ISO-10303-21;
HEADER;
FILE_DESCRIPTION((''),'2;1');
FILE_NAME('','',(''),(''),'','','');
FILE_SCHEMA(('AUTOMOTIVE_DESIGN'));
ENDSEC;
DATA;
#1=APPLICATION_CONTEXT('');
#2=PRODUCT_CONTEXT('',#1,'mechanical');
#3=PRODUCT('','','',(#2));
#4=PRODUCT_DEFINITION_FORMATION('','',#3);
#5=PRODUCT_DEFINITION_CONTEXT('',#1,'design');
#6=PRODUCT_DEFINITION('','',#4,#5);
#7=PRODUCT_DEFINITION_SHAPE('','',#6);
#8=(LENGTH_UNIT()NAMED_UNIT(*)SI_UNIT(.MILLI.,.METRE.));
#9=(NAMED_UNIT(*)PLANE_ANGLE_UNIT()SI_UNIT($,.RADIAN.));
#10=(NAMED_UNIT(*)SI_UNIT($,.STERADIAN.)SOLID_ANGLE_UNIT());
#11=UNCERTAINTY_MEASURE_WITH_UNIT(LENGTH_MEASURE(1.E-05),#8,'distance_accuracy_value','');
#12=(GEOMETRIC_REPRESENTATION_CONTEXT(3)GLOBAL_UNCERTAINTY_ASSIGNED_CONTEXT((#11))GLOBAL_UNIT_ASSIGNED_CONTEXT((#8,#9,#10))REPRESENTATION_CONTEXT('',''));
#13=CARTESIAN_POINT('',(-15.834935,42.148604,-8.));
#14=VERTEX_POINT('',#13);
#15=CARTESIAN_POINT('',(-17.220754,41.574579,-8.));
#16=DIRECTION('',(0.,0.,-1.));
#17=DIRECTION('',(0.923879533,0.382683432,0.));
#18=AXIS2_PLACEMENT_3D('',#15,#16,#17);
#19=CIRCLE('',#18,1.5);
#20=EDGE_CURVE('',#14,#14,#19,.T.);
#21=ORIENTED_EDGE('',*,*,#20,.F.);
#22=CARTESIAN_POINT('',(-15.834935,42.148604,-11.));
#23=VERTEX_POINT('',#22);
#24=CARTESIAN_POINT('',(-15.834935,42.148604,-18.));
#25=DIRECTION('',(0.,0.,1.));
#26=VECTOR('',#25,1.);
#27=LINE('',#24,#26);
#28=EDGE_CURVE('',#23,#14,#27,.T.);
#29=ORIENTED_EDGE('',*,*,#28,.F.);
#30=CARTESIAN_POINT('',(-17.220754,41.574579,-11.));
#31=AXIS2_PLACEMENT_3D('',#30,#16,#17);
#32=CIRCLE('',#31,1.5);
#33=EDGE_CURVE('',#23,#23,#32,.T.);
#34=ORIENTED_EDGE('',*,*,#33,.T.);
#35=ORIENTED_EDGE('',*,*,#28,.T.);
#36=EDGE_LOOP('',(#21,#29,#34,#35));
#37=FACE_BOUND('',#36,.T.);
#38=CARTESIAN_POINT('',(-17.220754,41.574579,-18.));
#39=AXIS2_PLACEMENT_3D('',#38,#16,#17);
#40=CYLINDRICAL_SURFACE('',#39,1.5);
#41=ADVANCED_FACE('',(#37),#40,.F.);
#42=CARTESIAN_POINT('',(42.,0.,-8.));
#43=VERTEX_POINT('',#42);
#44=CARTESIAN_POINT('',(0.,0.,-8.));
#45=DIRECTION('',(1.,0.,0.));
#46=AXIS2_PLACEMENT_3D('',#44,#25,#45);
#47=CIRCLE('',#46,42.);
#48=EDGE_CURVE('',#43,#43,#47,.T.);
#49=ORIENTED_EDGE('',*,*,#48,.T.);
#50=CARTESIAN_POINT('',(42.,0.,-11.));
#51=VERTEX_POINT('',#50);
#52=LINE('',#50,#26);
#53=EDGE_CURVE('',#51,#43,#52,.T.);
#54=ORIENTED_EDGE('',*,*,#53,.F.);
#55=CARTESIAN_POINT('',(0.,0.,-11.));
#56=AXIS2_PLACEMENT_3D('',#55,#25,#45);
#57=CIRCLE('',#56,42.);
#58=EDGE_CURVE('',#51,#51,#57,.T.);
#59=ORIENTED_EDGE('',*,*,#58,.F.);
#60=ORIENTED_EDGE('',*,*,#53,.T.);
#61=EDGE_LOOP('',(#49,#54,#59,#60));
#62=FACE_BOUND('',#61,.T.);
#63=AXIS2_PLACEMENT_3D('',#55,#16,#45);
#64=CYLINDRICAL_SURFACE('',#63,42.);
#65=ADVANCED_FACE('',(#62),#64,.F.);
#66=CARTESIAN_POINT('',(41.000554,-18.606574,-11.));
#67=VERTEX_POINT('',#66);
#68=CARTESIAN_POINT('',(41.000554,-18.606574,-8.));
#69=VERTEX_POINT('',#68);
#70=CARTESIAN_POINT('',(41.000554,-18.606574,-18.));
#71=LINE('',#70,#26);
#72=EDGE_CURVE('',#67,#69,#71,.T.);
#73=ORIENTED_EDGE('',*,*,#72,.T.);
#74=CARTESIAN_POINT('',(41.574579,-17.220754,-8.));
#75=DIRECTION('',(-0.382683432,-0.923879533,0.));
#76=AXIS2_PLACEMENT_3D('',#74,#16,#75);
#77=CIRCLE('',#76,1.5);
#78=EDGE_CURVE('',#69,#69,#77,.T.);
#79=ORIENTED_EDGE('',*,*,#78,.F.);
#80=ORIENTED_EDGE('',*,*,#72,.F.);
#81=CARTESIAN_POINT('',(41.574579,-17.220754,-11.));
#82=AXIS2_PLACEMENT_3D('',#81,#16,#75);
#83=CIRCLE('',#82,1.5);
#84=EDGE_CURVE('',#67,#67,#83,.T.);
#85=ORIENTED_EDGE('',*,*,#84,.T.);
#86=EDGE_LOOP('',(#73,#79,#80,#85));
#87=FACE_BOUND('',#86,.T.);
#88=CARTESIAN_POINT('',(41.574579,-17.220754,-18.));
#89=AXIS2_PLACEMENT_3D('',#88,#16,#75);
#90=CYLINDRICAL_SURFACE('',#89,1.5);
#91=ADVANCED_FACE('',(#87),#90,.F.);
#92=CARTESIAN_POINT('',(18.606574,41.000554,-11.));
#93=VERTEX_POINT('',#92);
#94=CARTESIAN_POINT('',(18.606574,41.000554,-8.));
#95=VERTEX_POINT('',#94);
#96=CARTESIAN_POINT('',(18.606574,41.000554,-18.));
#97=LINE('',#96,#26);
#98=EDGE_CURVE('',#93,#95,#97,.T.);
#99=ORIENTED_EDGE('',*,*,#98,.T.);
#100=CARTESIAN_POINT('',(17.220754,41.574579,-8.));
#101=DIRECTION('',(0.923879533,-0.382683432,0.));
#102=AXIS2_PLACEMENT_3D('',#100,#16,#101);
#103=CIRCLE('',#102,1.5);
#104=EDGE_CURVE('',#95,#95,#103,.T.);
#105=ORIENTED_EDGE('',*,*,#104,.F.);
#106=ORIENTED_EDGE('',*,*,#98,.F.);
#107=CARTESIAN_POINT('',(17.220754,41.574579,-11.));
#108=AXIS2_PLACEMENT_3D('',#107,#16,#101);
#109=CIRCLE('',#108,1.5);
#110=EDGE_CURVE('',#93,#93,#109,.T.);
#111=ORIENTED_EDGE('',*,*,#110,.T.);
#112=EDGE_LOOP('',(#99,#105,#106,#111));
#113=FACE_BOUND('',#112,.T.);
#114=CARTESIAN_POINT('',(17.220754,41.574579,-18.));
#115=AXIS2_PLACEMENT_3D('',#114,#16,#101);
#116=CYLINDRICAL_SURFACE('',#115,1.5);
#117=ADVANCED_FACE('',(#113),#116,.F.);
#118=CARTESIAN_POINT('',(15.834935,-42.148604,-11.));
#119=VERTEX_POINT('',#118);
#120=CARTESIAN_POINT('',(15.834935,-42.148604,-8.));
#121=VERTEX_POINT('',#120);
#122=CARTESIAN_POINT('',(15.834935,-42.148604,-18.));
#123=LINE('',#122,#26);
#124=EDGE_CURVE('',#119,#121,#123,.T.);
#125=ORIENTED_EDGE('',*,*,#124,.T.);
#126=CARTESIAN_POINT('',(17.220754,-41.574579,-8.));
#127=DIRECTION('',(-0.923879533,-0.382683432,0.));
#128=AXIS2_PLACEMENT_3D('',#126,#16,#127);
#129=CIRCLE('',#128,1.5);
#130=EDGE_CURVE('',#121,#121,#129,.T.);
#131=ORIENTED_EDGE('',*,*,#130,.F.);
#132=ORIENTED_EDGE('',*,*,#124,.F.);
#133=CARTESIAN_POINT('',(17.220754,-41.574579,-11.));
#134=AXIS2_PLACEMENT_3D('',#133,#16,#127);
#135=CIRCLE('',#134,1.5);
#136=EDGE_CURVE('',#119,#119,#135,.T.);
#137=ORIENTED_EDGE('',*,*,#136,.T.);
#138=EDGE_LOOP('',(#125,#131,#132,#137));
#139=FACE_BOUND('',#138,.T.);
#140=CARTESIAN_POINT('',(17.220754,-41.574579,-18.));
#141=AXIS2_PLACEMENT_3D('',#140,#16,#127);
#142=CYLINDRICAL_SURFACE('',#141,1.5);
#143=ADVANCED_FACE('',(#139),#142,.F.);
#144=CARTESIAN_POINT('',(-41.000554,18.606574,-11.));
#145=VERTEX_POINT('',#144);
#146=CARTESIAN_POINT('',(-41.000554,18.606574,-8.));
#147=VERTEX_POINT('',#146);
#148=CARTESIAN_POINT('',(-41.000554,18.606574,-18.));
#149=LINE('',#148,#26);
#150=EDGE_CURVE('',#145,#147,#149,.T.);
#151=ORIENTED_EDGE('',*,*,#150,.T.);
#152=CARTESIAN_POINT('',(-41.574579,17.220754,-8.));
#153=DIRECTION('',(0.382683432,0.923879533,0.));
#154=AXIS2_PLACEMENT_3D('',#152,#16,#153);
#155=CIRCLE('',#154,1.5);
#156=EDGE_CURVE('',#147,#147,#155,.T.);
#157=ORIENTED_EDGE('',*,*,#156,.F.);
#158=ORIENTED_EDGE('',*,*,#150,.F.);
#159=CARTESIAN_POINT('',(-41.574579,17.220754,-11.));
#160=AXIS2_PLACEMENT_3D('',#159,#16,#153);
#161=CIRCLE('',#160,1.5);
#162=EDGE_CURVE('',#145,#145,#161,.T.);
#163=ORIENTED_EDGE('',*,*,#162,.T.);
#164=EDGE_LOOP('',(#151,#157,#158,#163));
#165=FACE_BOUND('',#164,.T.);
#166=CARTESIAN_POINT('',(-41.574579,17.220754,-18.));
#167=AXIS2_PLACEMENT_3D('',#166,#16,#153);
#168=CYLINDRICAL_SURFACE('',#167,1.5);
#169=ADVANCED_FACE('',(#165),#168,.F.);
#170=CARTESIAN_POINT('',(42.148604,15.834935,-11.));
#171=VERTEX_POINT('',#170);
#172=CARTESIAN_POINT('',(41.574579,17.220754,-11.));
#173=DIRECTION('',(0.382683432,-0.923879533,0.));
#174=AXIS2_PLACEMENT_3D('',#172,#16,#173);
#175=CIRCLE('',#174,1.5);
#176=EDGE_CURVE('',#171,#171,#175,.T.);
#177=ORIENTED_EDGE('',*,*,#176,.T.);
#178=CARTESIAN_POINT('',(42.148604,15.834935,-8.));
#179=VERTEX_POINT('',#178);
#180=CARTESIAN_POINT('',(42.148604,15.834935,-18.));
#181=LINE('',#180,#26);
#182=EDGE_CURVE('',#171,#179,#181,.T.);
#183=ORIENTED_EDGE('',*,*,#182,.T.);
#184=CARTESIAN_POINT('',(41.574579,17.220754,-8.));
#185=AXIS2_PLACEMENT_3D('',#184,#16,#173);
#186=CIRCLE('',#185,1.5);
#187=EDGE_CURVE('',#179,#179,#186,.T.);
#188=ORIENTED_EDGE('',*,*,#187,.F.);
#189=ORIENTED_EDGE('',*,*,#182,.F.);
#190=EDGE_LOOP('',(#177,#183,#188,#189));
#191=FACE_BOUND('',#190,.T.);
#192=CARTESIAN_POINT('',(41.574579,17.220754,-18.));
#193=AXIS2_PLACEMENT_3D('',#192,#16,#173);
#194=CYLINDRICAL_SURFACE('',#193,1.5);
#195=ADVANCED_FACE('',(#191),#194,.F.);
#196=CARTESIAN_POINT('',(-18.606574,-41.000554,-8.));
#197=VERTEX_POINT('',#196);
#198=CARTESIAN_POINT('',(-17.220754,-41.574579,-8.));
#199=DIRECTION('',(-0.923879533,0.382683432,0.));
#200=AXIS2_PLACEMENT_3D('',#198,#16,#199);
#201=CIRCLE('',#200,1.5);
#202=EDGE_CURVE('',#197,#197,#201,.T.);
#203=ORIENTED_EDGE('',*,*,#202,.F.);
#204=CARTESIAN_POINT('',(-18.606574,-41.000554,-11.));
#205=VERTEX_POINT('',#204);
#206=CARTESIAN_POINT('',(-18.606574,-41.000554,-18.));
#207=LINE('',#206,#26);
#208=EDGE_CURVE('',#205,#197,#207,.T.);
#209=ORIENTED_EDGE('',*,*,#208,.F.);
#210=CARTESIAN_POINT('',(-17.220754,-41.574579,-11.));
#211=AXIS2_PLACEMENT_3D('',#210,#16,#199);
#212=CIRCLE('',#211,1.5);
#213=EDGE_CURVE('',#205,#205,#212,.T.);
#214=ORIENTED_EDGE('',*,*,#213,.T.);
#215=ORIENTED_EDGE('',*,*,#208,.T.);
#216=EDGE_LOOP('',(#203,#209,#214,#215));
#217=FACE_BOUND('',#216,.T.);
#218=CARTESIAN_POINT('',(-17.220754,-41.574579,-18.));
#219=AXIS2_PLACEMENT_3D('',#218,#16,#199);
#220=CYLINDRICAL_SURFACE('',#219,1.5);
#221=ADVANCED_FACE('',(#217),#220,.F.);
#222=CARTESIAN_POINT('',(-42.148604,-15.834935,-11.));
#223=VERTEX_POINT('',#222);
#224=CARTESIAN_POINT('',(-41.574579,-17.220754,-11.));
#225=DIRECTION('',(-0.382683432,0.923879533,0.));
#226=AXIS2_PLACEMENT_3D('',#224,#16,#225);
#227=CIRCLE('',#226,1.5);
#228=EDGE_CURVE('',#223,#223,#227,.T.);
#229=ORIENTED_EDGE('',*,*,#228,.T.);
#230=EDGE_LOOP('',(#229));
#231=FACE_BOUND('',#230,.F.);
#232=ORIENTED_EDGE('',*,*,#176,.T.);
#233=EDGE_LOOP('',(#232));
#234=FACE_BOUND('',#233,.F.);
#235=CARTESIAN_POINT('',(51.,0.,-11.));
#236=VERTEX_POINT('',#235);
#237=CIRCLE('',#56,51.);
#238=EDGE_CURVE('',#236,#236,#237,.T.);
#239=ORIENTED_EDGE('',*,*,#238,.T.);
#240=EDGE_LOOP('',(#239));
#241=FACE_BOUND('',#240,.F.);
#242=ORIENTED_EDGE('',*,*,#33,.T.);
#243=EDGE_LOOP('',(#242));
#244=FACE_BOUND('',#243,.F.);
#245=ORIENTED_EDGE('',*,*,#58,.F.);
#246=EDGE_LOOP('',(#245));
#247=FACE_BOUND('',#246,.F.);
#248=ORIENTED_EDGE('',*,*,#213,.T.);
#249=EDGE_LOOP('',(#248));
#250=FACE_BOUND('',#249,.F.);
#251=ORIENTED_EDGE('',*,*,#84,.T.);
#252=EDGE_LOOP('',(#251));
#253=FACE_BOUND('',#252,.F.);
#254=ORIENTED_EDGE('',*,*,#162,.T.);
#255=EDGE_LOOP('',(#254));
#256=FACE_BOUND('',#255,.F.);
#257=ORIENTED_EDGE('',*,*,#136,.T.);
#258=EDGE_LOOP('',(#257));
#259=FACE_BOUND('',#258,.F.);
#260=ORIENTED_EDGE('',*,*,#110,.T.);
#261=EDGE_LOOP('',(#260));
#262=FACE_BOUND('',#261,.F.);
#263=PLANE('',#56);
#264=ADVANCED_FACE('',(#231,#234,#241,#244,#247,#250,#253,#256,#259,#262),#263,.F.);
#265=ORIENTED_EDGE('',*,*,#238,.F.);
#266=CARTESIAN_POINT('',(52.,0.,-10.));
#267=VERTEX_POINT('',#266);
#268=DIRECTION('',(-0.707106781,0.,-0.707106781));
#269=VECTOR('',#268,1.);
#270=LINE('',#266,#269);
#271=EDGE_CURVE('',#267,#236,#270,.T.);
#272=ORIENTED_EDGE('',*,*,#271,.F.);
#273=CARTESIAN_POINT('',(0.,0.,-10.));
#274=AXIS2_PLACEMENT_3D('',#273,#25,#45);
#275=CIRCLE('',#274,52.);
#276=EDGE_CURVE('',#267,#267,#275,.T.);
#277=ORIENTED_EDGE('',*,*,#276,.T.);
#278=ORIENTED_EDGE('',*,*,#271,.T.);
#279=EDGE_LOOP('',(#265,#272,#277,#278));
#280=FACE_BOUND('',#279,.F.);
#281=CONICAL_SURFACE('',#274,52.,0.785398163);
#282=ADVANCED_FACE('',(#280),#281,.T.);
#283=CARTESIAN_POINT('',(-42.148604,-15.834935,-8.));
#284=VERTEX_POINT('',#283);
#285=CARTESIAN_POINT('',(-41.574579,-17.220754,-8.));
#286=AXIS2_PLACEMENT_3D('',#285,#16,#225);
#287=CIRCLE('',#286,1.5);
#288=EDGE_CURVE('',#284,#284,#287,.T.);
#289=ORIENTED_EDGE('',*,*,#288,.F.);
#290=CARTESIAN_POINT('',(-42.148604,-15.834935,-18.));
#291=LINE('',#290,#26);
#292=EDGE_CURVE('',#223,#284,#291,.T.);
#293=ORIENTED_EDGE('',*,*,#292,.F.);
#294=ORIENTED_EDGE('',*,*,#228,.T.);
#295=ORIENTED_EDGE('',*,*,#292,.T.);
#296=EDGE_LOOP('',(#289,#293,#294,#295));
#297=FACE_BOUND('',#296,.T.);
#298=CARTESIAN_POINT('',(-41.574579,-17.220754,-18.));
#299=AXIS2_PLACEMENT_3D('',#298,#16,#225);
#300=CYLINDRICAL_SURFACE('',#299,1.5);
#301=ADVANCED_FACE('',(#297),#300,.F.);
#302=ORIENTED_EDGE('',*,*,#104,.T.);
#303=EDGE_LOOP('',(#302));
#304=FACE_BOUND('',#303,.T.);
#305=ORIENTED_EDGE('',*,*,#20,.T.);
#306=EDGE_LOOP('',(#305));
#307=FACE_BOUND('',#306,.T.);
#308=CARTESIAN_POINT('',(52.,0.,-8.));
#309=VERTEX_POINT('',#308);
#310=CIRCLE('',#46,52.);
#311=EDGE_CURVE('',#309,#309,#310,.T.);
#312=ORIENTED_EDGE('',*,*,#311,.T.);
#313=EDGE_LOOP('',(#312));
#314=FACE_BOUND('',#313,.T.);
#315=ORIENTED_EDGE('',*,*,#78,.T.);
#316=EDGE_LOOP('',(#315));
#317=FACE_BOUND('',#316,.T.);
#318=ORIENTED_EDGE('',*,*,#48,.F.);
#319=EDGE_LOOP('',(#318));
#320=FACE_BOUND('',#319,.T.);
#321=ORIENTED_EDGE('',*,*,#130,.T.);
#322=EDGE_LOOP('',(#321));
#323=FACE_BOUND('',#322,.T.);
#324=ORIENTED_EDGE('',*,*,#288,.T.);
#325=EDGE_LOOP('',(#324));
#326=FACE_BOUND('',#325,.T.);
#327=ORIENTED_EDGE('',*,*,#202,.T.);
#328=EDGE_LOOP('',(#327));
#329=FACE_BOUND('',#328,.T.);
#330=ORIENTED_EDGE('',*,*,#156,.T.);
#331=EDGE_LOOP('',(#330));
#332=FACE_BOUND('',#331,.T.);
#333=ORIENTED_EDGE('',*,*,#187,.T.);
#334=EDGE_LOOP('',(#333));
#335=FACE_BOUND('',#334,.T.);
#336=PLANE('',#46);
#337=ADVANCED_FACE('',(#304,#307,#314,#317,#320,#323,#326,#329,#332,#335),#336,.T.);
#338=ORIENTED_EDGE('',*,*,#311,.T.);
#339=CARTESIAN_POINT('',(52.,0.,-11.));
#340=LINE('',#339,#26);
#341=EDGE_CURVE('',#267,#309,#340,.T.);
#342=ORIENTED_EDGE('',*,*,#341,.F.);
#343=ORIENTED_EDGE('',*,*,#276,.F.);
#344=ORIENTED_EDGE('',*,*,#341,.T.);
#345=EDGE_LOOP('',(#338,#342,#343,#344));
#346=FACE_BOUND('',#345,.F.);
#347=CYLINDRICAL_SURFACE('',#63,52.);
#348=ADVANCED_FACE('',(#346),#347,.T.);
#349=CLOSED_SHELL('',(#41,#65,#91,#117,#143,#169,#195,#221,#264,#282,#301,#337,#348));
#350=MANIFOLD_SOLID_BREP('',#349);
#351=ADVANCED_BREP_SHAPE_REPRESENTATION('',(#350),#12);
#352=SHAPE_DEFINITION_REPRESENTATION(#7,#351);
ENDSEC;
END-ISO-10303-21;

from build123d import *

# Parameters (mm, degrees)
CYLINDER658_R               = 1.5
CYLINDER658_DEPTH           = 20
CYLINDER658_PLACEMENT_ANGLE = 45
CYLINDER659_R               = 1.5
CYLINDER659_DEPTH           = 20
CYLINDER652_R               = 1.5
CYLINDER652_DEPTH           = 20
CYLINDER652_PLACEMENT_ANGLE = 135
CYLINDER655_R               = 1.5
CYLINDER655_DEPTH           = 20
CYLINDER657_R               = 1.5
CYLINDER657_DEPTH           = 20
CYLINDER657_PLACEMENT_ANGLE = 225
CYLINDER654_R               = 1.5
CYLINDER654_DEPTH           = 20
CYLINDER656_R               = 1.5
CYLINDER656_DEPTH           = 20
CYLINDER656_PLACEMENT_ANGLE = 45
CYLINDER653_R               = 1.5
CYLINDER653_DEPTH           = 20
COMPOUND660_PLACEMENT_ANGLE = 22.5
TUBE040_R                   = 52
TUBE040_R_2                 = 42
TUBE040_DEPTH               = 3
CHAMFER018_SIZE             = 1


with BuildPart() as v_lec658:
    # Cylinder658 → Cylinder658 (new body)
    with BuildSketch(Plane.XY):
        Circle(CYLINDER658_R)
    extrude(amount=CYLINDER658_DEPTH)


with BuildPart() as v_lec658_1:
    # Cylinder658 placement: moved
    add(v_lec658.part.moved(Location((-31.819805, 31.819805, -18))).rotate(Axis((-31.819805, 31.819805, -18), (0, 0, 1)), CYLINDER658_PLACEMENT_ANGLE))


with BuildPart() as v_lec659:
    # Cylinder659 → Cylinder659 (new body)
    with BuildSketch(Plane(origin=(-45, 0, -18), x_dir=(0, 1, 0), z_dir=(0, 0, 1))):
        Circle(CYLINDER659_R)
    extrude(amount=CYLINDER659_DEPTH)


with BuildPart() as v_lec652:
    # Cylinder652 → Cylinder652 (new body)
    with BuildSketch(Plane.XY):
        Circle(CYLINDER652_R)
    extrude(amount=CYLINDER652_DEPTH)


with BuildPart() as v_lec652_1:
    # Cylinder652 placement: moved
    add(v_lec652.part.moved(Location((-31.819805, -31.819805, -18))).rotate(Axis((-31.819805, -31.819805, -18), (0, 0, 1)), CYLINDER652_PLACEMENT_ANGLE))


with BuildPart() as v_lec655:
    # Cylinder655 → Cylinder655 (new body)
    with BuildSketch(Plane(origin=(0, -45, -18), x_dir=(-1, 0, 0), z_dir=(0, 0, 1))):
        Circle(CYLINDER655_R)
    extrude(amount=CYLINDER655_DEPTH)


with BuildPart() as v_lec657:
    # Cylinder657 → Cylinder657 (new body)
    with BuildSketch(Plane.XY):
        Circle(CYLINDER657_R)
    extrude(amount=CYLINDER657_DEPTH)


with BuildPart() as v_lec657_1:
    # Cylinder657 placement: moved
    add(v_lec657.part.moved(Location((31.819805, -31.819805, -18))).rotate(Axis((31.819805, -31.819805, -18), (0, 0, 1)), CYLINDER657_PLACEMENT_ANGLE))


with BuildPart() as v_lec654:
    # Cylinder654 → Cylinder654 (new body)
    with BuildSketch(Plane(origin=(45, 0, -18), x_dir=(0, -1, 0), z_dir=(0, 0, 1))):
        Circle(CYLINDER654_R)
    extrude(amount=CYLINDER654_DEPTH)


with BuildPart() as v_lec656:
    # Cylinder656 → Cylinder656 (new body)
    with BuildSketch(Plane.XY):
        Circle(CYLINDER656_R)
    extrude(amount=CYLINDER656_DEPTH)


with BuildPart() as v_lec656_1:
    # Cylinder656 placement: moved
    add(v_lec656.part.moved(Location((31.819805, 31.819805, -18))).rotate(Axis((31.819805, 31.819805, -18), (0, 0, -1)), CYLINDER656_PLACEMENT_ANGLE))


with BuildPart() as compound660:
    # Cylinder653 → Cylinder653 (new body)
    with BuildSketch(Plane(origin=(0, 45, -18), x_dir=(1, 0, 0), z_dir=(0, 0, 1))):
        Circle(CYLINDER653_R)
    extrude(amount=CYLINDER653_DEPTH)

    # Compound660: union Válec658, Válec659, Válec652, Válec655, Válec657, Válec654, Válec656
    add(v_lec658_1.part)
    add(v_lec659.part)
    add(v_lec652_1.part)
    add(v_lec655.part)
    add(v_lec657_1.part)
    add(v_lec654.part)
    add(v_lec656_1.part)


with BuildPart() as compound660_1:
    # Compound660 placement: moved
    add(compound660.part.rotate(Axis((0, 0, 0), (0, 0, 1)), COMPOUND660_PLACEMENT_ANGLE))


with BuildPart() as j_max_motor_high_washer_a:
    # Tube040 → Tube040 (new body)
    with BuildSketch(Plane.XY.offset(-11)):
        Circle(TUBE040_R)
        Circle(TUBE040_R_2, mode=Mode.SUBTRACT)
    extrude(amount=TUBE040_DEPTH)

    # Cut290: cut Compound660
    add(compound660_1.part, mode=Mode.SUBTRACT)


with BuildPart() as j_max_motor_high_washer_a_1:
    # Cut290 placement: moved
    add(j_max_motor_high_washer_a.part.moved(Location((0, 0, -4))))

    # Chamfer018
    chamfer018_edges = [j_max_motor_high_washer_a_1.edges().sort_by_distance(p)[0] for p in [
        (-52, 0, -15),
    ]]
    chamfer(chamfer018_edges, length=CHAMFER018_SIZE)


with BuildPart() as j_max_motor_high_washer_a_2:
    # Chamfer018 placement: moved
    add(j_max_motor_high_washer_a_1.part.moved(Location((0, 0, 4))))


solid = j_max_motor_high_washer_a_2.part
